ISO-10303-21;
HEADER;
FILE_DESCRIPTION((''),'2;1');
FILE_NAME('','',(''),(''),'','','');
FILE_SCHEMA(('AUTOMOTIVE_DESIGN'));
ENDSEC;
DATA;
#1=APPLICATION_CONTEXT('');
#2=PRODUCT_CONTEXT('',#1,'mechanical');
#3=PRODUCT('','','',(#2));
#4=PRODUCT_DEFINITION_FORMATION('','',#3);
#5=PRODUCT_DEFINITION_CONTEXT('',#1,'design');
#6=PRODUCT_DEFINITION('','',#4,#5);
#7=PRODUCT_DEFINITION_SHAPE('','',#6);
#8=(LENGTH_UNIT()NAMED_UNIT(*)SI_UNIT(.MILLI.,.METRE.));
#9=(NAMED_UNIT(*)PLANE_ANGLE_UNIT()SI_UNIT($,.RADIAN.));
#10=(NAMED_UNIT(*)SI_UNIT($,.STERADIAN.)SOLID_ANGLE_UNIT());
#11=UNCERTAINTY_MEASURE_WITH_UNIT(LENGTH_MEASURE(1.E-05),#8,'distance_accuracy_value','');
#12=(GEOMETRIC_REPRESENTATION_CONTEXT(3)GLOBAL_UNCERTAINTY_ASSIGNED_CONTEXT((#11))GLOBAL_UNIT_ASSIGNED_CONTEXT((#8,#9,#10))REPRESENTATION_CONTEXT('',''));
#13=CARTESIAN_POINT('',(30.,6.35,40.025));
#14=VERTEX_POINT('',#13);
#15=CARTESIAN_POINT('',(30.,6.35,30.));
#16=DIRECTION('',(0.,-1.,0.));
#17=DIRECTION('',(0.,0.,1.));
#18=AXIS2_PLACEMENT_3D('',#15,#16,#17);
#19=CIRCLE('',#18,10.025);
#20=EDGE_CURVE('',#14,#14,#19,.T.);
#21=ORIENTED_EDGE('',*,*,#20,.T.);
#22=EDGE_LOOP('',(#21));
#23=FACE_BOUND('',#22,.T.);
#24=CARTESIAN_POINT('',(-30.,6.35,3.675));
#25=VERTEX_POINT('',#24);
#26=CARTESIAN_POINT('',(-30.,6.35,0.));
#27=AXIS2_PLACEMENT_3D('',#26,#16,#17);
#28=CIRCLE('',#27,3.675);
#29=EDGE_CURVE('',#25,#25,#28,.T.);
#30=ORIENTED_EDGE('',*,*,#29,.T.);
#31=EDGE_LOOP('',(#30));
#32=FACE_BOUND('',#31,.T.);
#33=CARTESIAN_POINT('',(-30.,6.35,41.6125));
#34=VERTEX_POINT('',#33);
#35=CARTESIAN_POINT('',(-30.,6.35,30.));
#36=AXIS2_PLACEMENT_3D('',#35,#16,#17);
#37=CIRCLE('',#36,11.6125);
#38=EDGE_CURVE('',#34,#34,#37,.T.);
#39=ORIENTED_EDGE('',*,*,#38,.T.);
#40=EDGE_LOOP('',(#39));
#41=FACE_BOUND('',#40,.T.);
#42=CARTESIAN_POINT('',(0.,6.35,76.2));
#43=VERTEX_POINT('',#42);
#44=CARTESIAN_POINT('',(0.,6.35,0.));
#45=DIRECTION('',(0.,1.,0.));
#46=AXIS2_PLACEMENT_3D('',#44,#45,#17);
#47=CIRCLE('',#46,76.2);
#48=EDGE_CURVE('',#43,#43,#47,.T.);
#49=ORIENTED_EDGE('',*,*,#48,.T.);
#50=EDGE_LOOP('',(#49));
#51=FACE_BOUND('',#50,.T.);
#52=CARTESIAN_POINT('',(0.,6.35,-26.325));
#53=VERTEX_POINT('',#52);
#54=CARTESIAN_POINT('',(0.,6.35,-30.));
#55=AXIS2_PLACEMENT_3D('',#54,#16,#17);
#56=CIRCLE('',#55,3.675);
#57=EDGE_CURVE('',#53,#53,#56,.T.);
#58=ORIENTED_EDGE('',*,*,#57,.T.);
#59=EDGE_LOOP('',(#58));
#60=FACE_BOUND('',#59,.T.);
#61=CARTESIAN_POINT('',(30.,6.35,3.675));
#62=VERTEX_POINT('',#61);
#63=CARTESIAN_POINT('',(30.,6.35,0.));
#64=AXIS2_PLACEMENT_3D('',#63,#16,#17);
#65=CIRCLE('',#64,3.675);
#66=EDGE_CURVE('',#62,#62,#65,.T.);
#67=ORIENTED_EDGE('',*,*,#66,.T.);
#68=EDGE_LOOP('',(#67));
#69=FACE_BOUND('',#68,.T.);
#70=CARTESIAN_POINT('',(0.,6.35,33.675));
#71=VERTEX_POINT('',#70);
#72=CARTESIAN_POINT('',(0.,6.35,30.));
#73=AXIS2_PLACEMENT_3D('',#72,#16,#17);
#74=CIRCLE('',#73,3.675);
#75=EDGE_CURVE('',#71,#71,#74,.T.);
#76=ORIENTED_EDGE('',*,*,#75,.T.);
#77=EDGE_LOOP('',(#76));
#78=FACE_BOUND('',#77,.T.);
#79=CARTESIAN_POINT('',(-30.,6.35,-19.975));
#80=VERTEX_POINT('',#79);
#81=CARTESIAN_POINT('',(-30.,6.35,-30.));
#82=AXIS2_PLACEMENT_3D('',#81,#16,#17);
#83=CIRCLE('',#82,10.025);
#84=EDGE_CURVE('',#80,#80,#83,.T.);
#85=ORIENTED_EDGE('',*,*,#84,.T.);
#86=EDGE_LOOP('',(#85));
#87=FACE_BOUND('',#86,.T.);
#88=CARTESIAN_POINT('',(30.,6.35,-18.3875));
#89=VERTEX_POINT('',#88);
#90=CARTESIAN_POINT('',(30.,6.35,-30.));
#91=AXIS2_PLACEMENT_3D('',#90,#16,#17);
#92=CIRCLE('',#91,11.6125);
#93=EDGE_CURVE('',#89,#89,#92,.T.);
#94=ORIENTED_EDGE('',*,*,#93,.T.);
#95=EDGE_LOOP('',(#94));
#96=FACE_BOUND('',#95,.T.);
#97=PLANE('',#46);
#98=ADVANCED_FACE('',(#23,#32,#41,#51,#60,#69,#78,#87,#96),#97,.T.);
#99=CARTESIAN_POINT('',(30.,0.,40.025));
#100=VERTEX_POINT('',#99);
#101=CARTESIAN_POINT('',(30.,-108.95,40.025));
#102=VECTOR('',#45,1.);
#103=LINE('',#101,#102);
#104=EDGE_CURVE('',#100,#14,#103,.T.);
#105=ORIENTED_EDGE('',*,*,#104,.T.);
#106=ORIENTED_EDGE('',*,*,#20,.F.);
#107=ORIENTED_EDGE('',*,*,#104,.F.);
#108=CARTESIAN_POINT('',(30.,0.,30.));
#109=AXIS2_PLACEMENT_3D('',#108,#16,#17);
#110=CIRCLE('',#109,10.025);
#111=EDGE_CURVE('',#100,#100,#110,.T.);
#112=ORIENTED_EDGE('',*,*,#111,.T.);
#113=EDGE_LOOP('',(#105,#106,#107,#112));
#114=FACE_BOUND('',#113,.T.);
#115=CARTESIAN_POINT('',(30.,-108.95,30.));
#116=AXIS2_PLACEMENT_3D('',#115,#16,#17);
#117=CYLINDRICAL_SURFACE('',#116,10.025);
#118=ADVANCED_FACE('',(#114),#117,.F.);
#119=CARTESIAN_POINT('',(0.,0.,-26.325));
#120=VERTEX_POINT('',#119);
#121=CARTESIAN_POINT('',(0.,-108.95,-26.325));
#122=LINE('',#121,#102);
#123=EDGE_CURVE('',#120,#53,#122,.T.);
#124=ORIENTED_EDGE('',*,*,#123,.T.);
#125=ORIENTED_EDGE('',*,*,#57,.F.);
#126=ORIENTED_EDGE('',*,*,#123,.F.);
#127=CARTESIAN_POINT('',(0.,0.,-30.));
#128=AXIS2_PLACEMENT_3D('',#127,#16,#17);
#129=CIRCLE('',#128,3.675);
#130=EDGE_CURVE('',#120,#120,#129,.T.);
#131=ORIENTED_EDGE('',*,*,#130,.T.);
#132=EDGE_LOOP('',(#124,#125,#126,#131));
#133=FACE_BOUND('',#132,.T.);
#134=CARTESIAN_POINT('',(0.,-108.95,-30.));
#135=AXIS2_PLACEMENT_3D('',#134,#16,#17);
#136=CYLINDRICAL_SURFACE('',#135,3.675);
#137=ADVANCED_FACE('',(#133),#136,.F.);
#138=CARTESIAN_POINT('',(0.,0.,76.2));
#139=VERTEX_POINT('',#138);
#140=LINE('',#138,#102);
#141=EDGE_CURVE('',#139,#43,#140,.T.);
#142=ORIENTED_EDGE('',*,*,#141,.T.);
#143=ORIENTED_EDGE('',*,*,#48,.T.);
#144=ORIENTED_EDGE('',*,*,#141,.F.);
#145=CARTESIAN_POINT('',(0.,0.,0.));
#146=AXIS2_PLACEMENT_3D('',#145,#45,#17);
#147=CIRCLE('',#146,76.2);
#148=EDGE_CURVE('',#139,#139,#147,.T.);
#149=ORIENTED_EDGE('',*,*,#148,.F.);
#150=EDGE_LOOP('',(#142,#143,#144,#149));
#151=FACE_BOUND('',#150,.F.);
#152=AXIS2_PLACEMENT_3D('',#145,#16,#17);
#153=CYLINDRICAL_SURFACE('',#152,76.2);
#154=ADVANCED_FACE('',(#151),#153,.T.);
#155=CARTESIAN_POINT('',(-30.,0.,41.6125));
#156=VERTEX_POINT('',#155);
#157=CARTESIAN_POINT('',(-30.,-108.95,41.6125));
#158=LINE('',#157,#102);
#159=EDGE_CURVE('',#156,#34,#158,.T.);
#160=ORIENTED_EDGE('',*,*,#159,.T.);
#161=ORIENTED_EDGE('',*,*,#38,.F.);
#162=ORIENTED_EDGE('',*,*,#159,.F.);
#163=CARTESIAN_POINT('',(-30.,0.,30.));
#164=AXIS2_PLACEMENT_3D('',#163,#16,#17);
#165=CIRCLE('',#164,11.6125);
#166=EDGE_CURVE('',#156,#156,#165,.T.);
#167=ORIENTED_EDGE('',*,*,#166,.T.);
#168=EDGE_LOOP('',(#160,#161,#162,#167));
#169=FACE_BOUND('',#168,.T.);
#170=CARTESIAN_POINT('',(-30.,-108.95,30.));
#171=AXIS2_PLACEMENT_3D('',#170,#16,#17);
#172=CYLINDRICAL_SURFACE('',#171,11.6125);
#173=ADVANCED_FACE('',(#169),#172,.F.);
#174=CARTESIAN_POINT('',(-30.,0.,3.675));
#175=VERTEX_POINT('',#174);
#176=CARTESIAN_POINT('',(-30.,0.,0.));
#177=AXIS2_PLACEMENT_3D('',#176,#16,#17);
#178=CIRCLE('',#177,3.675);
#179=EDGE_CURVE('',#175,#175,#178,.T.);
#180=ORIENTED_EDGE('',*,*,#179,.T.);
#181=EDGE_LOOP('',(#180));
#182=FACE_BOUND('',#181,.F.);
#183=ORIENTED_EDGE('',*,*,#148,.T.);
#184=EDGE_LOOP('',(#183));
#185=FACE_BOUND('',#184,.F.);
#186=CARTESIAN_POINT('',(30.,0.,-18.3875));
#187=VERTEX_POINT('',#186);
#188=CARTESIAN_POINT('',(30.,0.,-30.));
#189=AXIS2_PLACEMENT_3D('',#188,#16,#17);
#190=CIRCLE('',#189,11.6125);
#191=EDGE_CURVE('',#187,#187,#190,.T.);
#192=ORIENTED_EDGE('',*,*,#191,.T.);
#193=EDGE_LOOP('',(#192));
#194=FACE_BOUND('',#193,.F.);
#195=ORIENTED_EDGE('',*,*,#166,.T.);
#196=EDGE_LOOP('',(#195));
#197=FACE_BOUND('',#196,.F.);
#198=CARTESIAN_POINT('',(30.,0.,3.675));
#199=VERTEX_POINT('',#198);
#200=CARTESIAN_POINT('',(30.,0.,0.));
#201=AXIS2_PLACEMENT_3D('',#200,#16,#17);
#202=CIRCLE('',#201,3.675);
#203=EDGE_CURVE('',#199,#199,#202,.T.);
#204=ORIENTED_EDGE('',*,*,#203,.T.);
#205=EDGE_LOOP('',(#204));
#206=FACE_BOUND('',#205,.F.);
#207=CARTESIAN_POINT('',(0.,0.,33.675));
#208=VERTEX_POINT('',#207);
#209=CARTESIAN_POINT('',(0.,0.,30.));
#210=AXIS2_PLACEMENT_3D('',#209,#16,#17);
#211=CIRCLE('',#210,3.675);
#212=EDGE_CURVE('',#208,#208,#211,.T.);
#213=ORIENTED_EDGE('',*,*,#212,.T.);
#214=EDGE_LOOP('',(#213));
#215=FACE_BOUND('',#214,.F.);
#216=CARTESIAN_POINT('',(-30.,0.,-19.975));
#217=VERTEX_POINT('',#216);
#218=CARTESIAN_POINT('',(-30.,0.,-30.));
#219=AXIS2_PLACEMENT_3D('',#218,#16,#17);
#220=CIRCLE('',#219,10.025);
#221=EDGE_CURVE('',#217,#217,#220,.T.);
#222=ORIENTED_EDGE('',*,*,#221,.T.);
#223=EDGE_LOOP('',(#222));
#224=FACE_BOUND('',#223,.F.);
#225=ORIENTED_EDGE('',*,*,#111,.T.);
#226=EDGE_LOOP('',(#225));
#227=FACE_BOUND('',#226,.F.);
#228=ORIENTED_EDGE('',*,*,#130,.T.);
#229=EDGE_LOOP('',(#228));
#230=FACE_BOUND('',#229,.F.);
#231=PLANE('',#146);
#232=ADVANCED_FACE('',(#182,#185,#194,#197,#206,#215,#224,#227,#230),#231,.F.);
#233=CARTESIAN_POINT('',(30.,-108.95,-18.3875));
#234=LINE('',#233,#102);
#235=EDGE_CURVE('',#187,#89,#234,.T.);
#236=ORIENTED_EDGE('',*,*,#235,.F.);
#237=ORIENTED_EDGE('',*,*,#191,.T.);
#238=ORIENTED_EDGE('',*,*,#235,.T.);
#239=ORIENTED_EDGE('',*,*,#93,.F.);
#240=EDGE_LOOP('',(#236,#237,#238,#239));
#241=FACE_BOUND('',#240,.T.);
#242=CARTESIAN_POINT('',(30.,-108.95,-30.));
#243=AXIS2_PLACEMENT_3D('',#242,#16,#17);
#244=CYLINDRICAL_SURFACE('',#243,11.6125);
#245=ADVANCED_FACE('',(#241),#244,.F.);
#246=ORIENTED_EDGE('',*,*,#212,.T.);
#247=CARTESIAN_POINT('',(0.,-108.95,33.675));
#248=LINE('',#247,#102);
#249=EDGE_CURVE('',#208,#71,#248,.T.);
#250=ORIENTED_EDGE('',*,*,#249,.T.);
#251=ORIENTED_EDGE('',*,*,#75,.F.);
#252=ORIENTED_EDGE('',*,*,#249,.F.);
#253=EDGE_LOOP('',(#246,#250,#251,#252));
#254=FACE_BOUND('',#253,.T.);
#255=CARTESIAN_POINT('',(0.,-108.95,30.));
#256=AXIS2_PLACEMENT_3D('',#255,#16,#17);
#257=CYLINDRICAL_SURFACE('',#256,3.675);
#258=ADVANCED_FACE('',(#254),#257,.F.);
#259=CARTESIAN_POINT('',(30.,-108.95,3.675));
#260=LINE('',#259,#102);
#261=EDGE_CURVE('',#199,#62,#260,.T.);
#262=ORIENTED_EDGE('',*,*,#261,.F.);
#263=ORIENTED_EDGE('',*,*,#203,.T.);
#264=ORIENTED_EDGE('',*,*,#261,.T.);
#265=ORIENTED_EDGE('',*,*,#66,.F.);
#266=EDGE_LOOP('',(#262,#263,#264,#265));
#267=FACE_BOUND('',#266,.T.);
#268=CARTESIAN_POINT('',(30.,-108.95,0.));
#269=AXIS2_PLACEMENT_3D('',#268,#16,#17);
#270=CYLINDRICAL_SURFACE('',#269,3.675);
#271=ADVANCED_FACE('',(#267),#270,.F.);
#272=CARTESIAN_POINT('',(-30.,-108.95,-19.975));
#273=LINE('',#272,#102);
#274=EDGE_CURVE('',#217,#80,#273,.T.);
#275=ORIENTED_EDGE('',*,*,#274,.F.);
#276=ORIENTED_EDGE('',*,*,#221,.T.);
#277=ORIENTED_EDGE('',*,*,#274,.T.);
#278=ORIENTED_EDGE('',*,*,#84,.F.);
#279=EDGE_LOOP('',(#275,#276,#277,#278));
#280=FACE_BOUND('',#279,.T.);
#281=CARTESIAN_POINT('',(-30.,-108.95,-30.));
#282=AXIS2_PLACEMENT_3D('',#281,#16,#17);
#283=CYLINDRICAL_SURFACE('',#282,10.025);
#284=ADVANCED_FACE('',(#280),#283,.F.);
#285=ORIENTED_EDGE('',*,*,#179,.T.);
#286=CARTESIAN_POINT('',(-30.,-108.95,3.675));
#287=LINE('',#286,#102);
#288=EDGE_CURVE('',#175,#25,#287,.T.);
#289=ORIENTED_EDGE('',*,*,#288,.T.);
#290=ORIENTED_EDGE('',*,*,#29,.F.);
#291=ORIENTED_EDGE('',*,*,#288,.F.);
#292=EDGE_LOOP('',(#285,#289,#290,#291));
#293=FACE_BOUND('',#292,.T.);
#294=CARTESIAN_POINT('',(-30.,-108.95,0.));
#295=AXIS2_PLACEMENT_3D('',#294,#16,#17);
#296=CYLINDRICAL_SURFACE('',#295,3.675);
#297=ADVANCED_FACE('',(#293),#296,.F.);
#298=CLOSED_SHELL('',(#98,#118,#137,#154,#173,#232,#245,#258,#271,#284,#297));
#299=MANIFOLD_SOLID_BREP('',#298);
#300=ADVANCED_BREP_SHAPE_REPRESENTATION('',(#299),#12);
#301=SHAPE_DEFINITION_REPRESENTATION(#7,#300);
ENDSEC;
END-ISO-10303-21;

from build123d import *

# Parameters (mm, degrees)
SKETCH1_R               = 76.2
BOSS_EXTRUDE1_DEPTH     = 6.35
CUT_EXTRUDE3_DEPTH      = 108.95
CUT_EXTRUDE3_DEPTH_BACK = 108.95
SKETCH3_R               = 10.025
SKETCH3_R_2             = 3.675
SKETCH3_R_3             = 11.6125


with BuildPart() as part:
    # Sketch1 → Boss-Extrude1 (new body)
    with BuildSketch(Plane(origin=(0, 0, 0), x_dir=(1, 0, 0), z_dir=(0, 1, 0))):
        with Locations(Location((0, 0, 0), (0, 0, 270))):
            Circle(SKETCH1_R)
    extrude(amount=BOSS_EXTRUDE1_DEPTH)

    # Sketch3 → Cut-Extrude3 (cut, two sides: drawn at the far end of the back side and taken through both)
    with BuildSketch(Plane(origin=(0, 0, 0), x_dir=(1, 0, 0), z_dir=(0, 1, 0)).offset(-CUT_EXTRUDE3_DEPTH_BACK)):
        with Locations(Location((-30, 30, 0), (0, 0, 270))):
            Circle(SKETCH3_R)
        with Locations(Location((30, -30, 0), (0, 0, 270))):
            Circle(SKETCH3_R)
        with Locations(Location((0, 30, 0), (0, 0, 270))):
            Circle(SKETCH3_R_2)
        with Locations(Location((30, 0, 0), (0, 0, 270))):
            Circle(SKETCH3_R_2)
        with Locations(Location((0, -30, 0), (0, 0, 270))):
            Circle(SKETCH3_R_2)
        with Locations(Location((-30, 0, 0), (0, 0, 270))):
            Circle(SKETCH3_R_2)
        with Locations(Location((30, 30, 0), (0, 0, 270))):
            Circle(SKETCH3_R_3)
        with Locations(Location((-30, -30, 0), (0, 0, 270))):
            Circle(SKETCH3_R_3)
    extrude(amount=CUT_EXTRUDE3_DEPTH + CUT_EXTRUDE3_DEPTH_BACK, mode=Mode.SUBTRACT)


solid = part.part
